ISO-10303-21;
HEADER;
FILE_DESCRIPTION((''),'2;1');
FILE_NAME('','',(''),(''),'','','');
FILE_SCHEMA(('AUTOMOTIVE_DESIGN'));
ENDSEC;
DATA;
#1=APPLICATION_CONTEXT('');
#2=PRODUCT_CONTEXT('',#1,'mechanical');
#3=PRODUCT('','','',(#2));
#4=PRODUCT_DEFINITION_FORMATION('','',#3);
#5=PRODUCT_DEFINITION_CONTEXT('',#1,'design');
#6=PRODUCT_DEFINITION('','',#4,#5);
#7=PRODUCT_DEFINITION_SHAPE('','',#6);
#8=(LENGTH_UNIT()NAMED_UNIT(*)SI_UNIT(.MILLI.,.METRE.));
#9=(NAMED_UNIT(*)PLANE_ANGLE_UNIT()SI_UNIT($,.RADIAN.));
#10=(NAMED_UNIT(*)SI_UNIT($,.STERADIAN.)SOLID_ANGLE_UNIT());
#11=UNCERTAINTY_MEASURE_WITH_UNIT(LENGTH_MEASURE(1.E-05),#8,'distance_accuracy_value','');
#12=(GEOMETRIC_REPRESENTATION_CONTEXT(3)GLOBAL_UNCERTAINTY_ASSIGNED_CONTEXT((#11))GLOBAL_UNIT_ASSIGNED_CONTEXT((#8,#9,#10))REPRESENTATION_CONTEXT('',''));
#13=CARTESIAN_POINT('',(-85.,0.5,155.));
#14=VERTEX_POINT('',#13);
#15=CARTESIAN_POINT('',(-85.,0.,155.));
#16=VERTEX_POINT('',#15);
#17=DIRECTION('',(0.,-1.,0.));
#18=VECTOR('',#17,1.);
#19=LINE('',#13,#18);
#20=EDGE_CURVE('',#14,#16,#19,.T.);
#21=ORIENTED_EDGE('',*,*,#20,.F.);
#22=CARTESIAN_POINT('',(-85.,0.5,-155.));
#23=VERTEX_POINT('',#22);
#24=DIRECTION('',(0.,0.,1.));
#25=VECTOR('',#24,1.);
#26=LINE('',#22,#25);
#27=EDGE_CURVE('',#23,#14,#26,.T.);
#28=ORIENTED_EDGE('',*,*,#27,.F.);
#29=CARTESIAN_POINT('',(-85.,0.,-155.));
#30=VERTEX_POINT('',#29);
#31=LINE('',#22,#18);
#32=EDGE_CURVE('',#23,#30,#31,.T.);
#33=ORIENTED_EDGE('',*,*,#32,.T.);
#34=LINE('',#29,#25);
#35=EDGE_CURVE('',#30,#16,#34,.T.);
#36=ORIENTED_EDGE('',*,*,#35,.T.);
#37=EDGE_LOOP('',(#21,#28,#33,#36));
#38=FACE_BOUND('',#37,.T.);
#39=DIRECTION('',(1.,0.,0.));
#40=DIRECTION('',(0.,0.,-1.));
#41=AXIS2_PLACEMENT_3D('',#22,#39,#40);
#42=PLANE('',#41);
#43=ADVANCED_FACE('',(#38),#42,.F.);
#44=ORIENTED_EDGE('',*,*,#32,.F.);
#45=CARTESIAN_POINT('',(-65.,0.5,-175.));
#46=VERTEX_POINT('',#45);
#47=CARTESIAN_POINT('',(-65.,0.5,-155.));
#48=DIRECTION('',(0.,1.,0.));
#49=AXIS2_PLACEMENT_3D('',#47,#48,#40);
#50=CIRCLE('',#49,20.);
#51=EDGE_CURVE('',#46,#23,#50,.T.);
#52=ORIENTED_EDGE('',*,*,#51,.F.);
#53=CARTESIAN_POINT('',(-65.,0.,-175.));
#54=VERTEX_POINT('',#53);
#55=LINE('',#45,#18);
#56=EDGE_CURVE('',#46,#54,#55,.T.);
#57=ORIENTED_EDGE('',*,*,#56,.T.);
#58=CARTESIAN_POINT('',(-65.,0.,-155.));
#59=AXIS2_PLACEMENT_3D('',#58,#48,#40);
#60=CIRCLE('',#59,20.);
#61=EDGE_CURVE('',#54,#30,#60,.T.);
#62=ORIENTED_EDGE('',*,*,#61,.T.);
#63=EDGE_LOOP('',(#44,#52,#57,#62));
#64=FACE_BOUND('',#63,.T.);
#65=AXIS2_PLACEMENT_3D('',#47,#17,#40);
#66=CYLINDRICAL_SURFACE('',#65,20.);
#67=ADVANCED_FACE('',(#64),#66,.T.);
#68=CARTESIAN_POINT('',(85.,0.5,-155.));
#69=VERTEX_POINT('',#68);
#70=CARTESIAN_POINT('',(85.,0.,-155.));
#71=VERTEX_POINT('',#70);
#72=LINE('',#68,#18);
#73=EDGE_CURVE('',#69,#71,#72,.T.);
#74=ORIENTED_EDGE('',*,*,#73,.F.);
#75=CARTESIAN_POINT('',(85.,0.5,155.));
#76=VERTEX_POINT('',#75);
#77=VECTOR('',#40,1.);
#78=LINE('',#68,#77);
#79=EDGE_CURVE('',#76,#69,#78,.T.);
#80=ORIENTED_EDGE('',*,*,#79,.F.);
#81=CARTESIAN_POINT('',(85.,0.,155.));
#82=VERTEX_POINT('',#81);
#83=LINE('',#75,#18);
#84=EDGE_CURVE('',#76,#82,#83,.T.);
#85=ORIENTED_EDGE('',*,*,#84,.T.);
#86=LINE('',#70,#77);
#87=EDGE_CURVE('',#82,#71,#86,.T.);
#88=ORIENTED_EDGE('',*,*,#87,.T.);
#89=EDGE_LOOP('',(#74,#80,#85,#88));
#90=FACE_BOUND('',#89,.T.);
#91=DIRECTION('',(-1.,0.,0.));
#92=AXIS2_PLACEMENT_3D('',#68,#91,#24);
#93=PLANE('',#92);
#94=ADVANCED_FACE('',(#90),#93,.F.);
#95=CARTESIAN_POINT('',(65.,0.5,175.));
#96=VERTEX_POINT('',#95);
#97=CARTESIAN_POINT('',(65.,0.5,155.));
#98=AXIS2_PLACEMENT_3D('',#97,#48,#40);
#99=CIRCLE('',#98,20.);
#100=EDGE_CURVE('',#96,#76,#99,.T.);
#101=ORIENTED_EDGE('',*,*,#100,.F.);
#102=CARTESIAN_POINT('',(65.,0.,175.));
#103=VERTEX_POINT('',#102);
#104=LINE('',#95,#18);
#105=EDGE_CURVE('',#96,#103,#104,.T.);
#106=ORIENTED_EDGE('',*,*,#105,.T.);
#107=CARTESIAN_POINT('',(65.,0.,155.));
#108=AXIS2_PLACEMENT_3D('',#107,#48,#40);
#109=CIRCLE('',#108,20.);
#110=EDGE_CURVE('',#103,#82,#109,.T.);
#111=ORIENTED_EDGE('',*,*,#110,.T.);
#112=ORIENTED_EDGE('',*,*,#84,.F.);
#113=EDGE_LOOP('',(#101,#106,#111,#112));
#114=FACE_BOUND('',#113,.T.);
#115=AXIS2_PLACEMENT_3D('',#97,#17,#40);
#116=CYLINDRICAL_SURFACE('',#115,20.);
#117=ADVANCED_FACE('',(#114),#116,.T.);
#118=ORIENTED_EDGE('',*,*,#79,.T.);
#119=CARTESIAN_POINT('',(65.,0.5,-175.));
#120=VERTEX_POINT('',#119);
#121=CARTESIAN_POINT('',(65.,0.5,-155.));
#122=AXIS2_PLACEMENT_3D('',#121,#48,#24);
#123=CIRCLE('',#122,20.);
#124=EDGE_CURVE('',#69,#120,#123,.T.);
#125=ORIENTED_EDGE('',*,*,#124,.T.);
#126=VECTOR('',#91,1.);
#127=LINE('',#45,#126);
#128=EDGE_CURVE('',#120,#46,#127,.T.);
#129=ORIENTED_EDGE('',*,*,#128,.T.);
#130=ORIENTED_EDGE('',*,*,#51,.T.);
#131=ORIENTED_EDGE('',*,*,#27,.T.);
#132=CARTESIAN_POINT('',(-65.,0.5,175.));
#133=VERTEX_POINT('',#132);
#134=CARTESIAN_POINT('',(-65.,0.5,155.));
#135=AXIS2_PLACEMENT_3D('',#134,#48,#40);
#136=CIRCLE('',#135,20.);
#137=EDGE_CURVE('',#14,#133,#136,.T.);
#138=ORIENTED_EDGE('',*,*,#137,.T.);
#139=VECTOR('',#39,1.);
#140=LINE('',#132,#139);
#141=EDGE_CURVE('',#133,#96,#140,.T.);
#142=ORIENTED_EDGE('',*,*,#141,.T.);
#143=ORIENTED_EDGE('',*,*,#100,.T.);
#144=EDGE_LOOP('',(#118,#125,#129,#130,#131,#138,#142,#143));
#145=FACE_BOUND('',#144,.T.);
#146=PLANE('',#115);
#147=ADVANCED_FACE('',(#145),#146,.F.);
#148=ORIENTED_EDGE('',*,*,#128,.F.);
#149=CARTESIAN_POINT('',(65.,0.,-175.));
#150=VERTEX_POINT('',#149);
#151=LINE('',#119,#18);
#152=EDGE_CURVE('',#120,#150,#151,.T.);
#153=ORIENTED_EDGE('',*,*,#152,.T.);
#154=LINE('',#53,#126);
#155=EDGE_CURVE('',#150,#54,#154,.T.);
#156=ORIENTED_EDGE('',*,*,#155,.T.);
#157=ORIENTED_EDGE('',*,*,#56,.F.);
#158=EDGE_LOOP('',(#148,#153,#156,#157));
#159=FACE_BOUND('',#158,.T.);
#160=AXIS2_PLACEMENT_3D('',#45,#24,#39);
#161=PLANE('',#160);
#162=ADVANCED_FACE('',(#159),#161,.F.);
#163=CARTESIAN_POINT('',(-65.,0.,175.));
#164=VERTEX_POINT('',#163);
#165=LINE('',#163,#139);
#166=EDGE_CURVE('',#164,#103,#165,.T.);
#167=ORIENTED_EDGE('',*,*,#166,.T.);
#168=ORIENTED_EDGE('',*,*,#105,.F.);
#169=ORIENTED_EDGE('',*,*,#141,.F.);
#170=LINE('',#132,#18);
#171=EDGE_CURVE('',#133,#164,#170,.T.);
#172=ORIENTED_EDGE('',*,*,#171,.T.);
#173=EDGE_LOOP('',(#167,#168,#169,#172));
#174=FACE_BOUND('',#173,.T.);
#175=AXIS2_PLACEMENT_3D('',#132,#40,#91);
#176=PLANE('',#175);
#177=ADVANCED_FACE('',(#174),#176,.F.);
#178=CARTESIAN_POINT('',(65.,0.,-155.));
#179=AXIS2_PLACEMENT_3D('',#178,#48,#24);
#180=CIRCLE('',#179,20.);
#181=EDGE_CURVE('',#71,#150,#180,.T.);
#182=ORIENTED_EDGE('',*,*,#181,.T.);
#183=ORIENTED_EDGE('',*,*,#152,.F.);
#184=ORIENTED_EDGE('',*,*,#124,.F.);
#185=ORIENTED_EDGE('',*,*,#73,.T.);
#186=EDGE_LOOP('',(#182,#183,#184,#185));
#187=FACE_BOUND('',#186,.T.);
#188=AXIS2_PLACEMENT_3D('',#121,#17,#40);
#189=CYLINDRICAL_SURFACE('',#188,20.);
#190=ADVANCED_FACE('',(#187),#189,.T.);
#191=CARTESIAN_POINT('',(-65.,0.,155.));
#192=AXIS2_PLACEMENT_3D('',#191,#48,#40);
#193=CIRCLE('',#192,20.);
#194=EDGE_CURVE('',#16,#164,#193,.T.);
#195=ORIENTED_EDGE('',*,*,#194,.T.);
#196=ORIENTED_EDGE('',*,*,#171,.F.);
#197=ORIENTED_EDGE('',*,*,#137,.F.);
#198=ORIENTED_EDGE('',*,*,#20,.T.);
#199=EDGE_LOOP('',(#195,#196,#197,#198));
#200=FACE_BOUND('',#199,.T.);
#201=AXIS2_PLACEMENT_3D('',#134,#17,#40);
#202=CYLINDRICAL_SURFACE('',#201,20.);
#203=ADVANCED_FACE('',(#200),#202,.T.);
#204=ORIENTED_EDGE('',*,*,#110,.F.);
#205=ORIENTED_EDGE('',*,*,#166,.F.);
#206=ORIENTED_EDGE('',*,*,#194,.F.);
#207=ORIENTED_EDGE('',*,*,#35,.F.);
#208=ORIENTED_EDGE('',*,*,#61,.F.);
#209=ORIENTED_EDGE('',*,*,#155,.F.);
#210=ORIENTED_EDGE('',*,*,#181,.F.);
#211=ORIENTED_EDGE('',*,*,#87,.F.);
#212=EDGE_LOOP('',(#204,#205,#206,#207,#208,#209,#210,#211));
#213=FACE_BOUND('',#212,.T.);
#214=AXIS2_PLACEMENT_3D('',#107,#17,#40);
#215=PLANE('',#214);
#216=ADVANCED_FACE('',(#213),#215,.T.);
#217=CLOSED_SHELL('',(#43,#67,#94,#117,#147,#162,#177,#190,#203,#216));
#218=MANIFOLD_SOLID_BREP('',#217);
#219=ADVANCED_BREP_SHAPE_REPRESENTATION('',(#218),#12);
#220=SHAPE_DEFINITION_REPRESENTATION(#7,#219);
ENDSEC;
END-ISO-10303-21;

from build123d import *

# Parameters (mm, degrees)
BOSS_EXTRUDE1_DEPTH = 0.5


with BuildPart() as part:
    # Sketch1 → Boss-Extrude1 (new body)
    with BuildSketch(Plane(origin=(0, 0, 0), x_dir=(1, 0, 0), z_dir=(0, 1, 0))):
        with BuildLine():
            Line((-65, 175), (65, 175))
            ThreePointArc((65, 175), (79.142135624, 169.142135624), (85, 155))
            Line((85, 155), (85, -155))
            ThreePointArc((85, -155), (79.142135624, -169.142135624), (65, -175))
            Line((65, -175), (-65, -175))
            ThreePointArc((-65, -175), (-79.142135624, -169.142135624), (-85, -155))
            Line((-85, -155), (-85, 155))
            ThreePointArc((-85, 155), (-79.142135624, 169.142135624), (-65, 175))
        make_face()
    extrude(amount=BOSS_EXTRUDE1_DEPTH)


solid = part.part
